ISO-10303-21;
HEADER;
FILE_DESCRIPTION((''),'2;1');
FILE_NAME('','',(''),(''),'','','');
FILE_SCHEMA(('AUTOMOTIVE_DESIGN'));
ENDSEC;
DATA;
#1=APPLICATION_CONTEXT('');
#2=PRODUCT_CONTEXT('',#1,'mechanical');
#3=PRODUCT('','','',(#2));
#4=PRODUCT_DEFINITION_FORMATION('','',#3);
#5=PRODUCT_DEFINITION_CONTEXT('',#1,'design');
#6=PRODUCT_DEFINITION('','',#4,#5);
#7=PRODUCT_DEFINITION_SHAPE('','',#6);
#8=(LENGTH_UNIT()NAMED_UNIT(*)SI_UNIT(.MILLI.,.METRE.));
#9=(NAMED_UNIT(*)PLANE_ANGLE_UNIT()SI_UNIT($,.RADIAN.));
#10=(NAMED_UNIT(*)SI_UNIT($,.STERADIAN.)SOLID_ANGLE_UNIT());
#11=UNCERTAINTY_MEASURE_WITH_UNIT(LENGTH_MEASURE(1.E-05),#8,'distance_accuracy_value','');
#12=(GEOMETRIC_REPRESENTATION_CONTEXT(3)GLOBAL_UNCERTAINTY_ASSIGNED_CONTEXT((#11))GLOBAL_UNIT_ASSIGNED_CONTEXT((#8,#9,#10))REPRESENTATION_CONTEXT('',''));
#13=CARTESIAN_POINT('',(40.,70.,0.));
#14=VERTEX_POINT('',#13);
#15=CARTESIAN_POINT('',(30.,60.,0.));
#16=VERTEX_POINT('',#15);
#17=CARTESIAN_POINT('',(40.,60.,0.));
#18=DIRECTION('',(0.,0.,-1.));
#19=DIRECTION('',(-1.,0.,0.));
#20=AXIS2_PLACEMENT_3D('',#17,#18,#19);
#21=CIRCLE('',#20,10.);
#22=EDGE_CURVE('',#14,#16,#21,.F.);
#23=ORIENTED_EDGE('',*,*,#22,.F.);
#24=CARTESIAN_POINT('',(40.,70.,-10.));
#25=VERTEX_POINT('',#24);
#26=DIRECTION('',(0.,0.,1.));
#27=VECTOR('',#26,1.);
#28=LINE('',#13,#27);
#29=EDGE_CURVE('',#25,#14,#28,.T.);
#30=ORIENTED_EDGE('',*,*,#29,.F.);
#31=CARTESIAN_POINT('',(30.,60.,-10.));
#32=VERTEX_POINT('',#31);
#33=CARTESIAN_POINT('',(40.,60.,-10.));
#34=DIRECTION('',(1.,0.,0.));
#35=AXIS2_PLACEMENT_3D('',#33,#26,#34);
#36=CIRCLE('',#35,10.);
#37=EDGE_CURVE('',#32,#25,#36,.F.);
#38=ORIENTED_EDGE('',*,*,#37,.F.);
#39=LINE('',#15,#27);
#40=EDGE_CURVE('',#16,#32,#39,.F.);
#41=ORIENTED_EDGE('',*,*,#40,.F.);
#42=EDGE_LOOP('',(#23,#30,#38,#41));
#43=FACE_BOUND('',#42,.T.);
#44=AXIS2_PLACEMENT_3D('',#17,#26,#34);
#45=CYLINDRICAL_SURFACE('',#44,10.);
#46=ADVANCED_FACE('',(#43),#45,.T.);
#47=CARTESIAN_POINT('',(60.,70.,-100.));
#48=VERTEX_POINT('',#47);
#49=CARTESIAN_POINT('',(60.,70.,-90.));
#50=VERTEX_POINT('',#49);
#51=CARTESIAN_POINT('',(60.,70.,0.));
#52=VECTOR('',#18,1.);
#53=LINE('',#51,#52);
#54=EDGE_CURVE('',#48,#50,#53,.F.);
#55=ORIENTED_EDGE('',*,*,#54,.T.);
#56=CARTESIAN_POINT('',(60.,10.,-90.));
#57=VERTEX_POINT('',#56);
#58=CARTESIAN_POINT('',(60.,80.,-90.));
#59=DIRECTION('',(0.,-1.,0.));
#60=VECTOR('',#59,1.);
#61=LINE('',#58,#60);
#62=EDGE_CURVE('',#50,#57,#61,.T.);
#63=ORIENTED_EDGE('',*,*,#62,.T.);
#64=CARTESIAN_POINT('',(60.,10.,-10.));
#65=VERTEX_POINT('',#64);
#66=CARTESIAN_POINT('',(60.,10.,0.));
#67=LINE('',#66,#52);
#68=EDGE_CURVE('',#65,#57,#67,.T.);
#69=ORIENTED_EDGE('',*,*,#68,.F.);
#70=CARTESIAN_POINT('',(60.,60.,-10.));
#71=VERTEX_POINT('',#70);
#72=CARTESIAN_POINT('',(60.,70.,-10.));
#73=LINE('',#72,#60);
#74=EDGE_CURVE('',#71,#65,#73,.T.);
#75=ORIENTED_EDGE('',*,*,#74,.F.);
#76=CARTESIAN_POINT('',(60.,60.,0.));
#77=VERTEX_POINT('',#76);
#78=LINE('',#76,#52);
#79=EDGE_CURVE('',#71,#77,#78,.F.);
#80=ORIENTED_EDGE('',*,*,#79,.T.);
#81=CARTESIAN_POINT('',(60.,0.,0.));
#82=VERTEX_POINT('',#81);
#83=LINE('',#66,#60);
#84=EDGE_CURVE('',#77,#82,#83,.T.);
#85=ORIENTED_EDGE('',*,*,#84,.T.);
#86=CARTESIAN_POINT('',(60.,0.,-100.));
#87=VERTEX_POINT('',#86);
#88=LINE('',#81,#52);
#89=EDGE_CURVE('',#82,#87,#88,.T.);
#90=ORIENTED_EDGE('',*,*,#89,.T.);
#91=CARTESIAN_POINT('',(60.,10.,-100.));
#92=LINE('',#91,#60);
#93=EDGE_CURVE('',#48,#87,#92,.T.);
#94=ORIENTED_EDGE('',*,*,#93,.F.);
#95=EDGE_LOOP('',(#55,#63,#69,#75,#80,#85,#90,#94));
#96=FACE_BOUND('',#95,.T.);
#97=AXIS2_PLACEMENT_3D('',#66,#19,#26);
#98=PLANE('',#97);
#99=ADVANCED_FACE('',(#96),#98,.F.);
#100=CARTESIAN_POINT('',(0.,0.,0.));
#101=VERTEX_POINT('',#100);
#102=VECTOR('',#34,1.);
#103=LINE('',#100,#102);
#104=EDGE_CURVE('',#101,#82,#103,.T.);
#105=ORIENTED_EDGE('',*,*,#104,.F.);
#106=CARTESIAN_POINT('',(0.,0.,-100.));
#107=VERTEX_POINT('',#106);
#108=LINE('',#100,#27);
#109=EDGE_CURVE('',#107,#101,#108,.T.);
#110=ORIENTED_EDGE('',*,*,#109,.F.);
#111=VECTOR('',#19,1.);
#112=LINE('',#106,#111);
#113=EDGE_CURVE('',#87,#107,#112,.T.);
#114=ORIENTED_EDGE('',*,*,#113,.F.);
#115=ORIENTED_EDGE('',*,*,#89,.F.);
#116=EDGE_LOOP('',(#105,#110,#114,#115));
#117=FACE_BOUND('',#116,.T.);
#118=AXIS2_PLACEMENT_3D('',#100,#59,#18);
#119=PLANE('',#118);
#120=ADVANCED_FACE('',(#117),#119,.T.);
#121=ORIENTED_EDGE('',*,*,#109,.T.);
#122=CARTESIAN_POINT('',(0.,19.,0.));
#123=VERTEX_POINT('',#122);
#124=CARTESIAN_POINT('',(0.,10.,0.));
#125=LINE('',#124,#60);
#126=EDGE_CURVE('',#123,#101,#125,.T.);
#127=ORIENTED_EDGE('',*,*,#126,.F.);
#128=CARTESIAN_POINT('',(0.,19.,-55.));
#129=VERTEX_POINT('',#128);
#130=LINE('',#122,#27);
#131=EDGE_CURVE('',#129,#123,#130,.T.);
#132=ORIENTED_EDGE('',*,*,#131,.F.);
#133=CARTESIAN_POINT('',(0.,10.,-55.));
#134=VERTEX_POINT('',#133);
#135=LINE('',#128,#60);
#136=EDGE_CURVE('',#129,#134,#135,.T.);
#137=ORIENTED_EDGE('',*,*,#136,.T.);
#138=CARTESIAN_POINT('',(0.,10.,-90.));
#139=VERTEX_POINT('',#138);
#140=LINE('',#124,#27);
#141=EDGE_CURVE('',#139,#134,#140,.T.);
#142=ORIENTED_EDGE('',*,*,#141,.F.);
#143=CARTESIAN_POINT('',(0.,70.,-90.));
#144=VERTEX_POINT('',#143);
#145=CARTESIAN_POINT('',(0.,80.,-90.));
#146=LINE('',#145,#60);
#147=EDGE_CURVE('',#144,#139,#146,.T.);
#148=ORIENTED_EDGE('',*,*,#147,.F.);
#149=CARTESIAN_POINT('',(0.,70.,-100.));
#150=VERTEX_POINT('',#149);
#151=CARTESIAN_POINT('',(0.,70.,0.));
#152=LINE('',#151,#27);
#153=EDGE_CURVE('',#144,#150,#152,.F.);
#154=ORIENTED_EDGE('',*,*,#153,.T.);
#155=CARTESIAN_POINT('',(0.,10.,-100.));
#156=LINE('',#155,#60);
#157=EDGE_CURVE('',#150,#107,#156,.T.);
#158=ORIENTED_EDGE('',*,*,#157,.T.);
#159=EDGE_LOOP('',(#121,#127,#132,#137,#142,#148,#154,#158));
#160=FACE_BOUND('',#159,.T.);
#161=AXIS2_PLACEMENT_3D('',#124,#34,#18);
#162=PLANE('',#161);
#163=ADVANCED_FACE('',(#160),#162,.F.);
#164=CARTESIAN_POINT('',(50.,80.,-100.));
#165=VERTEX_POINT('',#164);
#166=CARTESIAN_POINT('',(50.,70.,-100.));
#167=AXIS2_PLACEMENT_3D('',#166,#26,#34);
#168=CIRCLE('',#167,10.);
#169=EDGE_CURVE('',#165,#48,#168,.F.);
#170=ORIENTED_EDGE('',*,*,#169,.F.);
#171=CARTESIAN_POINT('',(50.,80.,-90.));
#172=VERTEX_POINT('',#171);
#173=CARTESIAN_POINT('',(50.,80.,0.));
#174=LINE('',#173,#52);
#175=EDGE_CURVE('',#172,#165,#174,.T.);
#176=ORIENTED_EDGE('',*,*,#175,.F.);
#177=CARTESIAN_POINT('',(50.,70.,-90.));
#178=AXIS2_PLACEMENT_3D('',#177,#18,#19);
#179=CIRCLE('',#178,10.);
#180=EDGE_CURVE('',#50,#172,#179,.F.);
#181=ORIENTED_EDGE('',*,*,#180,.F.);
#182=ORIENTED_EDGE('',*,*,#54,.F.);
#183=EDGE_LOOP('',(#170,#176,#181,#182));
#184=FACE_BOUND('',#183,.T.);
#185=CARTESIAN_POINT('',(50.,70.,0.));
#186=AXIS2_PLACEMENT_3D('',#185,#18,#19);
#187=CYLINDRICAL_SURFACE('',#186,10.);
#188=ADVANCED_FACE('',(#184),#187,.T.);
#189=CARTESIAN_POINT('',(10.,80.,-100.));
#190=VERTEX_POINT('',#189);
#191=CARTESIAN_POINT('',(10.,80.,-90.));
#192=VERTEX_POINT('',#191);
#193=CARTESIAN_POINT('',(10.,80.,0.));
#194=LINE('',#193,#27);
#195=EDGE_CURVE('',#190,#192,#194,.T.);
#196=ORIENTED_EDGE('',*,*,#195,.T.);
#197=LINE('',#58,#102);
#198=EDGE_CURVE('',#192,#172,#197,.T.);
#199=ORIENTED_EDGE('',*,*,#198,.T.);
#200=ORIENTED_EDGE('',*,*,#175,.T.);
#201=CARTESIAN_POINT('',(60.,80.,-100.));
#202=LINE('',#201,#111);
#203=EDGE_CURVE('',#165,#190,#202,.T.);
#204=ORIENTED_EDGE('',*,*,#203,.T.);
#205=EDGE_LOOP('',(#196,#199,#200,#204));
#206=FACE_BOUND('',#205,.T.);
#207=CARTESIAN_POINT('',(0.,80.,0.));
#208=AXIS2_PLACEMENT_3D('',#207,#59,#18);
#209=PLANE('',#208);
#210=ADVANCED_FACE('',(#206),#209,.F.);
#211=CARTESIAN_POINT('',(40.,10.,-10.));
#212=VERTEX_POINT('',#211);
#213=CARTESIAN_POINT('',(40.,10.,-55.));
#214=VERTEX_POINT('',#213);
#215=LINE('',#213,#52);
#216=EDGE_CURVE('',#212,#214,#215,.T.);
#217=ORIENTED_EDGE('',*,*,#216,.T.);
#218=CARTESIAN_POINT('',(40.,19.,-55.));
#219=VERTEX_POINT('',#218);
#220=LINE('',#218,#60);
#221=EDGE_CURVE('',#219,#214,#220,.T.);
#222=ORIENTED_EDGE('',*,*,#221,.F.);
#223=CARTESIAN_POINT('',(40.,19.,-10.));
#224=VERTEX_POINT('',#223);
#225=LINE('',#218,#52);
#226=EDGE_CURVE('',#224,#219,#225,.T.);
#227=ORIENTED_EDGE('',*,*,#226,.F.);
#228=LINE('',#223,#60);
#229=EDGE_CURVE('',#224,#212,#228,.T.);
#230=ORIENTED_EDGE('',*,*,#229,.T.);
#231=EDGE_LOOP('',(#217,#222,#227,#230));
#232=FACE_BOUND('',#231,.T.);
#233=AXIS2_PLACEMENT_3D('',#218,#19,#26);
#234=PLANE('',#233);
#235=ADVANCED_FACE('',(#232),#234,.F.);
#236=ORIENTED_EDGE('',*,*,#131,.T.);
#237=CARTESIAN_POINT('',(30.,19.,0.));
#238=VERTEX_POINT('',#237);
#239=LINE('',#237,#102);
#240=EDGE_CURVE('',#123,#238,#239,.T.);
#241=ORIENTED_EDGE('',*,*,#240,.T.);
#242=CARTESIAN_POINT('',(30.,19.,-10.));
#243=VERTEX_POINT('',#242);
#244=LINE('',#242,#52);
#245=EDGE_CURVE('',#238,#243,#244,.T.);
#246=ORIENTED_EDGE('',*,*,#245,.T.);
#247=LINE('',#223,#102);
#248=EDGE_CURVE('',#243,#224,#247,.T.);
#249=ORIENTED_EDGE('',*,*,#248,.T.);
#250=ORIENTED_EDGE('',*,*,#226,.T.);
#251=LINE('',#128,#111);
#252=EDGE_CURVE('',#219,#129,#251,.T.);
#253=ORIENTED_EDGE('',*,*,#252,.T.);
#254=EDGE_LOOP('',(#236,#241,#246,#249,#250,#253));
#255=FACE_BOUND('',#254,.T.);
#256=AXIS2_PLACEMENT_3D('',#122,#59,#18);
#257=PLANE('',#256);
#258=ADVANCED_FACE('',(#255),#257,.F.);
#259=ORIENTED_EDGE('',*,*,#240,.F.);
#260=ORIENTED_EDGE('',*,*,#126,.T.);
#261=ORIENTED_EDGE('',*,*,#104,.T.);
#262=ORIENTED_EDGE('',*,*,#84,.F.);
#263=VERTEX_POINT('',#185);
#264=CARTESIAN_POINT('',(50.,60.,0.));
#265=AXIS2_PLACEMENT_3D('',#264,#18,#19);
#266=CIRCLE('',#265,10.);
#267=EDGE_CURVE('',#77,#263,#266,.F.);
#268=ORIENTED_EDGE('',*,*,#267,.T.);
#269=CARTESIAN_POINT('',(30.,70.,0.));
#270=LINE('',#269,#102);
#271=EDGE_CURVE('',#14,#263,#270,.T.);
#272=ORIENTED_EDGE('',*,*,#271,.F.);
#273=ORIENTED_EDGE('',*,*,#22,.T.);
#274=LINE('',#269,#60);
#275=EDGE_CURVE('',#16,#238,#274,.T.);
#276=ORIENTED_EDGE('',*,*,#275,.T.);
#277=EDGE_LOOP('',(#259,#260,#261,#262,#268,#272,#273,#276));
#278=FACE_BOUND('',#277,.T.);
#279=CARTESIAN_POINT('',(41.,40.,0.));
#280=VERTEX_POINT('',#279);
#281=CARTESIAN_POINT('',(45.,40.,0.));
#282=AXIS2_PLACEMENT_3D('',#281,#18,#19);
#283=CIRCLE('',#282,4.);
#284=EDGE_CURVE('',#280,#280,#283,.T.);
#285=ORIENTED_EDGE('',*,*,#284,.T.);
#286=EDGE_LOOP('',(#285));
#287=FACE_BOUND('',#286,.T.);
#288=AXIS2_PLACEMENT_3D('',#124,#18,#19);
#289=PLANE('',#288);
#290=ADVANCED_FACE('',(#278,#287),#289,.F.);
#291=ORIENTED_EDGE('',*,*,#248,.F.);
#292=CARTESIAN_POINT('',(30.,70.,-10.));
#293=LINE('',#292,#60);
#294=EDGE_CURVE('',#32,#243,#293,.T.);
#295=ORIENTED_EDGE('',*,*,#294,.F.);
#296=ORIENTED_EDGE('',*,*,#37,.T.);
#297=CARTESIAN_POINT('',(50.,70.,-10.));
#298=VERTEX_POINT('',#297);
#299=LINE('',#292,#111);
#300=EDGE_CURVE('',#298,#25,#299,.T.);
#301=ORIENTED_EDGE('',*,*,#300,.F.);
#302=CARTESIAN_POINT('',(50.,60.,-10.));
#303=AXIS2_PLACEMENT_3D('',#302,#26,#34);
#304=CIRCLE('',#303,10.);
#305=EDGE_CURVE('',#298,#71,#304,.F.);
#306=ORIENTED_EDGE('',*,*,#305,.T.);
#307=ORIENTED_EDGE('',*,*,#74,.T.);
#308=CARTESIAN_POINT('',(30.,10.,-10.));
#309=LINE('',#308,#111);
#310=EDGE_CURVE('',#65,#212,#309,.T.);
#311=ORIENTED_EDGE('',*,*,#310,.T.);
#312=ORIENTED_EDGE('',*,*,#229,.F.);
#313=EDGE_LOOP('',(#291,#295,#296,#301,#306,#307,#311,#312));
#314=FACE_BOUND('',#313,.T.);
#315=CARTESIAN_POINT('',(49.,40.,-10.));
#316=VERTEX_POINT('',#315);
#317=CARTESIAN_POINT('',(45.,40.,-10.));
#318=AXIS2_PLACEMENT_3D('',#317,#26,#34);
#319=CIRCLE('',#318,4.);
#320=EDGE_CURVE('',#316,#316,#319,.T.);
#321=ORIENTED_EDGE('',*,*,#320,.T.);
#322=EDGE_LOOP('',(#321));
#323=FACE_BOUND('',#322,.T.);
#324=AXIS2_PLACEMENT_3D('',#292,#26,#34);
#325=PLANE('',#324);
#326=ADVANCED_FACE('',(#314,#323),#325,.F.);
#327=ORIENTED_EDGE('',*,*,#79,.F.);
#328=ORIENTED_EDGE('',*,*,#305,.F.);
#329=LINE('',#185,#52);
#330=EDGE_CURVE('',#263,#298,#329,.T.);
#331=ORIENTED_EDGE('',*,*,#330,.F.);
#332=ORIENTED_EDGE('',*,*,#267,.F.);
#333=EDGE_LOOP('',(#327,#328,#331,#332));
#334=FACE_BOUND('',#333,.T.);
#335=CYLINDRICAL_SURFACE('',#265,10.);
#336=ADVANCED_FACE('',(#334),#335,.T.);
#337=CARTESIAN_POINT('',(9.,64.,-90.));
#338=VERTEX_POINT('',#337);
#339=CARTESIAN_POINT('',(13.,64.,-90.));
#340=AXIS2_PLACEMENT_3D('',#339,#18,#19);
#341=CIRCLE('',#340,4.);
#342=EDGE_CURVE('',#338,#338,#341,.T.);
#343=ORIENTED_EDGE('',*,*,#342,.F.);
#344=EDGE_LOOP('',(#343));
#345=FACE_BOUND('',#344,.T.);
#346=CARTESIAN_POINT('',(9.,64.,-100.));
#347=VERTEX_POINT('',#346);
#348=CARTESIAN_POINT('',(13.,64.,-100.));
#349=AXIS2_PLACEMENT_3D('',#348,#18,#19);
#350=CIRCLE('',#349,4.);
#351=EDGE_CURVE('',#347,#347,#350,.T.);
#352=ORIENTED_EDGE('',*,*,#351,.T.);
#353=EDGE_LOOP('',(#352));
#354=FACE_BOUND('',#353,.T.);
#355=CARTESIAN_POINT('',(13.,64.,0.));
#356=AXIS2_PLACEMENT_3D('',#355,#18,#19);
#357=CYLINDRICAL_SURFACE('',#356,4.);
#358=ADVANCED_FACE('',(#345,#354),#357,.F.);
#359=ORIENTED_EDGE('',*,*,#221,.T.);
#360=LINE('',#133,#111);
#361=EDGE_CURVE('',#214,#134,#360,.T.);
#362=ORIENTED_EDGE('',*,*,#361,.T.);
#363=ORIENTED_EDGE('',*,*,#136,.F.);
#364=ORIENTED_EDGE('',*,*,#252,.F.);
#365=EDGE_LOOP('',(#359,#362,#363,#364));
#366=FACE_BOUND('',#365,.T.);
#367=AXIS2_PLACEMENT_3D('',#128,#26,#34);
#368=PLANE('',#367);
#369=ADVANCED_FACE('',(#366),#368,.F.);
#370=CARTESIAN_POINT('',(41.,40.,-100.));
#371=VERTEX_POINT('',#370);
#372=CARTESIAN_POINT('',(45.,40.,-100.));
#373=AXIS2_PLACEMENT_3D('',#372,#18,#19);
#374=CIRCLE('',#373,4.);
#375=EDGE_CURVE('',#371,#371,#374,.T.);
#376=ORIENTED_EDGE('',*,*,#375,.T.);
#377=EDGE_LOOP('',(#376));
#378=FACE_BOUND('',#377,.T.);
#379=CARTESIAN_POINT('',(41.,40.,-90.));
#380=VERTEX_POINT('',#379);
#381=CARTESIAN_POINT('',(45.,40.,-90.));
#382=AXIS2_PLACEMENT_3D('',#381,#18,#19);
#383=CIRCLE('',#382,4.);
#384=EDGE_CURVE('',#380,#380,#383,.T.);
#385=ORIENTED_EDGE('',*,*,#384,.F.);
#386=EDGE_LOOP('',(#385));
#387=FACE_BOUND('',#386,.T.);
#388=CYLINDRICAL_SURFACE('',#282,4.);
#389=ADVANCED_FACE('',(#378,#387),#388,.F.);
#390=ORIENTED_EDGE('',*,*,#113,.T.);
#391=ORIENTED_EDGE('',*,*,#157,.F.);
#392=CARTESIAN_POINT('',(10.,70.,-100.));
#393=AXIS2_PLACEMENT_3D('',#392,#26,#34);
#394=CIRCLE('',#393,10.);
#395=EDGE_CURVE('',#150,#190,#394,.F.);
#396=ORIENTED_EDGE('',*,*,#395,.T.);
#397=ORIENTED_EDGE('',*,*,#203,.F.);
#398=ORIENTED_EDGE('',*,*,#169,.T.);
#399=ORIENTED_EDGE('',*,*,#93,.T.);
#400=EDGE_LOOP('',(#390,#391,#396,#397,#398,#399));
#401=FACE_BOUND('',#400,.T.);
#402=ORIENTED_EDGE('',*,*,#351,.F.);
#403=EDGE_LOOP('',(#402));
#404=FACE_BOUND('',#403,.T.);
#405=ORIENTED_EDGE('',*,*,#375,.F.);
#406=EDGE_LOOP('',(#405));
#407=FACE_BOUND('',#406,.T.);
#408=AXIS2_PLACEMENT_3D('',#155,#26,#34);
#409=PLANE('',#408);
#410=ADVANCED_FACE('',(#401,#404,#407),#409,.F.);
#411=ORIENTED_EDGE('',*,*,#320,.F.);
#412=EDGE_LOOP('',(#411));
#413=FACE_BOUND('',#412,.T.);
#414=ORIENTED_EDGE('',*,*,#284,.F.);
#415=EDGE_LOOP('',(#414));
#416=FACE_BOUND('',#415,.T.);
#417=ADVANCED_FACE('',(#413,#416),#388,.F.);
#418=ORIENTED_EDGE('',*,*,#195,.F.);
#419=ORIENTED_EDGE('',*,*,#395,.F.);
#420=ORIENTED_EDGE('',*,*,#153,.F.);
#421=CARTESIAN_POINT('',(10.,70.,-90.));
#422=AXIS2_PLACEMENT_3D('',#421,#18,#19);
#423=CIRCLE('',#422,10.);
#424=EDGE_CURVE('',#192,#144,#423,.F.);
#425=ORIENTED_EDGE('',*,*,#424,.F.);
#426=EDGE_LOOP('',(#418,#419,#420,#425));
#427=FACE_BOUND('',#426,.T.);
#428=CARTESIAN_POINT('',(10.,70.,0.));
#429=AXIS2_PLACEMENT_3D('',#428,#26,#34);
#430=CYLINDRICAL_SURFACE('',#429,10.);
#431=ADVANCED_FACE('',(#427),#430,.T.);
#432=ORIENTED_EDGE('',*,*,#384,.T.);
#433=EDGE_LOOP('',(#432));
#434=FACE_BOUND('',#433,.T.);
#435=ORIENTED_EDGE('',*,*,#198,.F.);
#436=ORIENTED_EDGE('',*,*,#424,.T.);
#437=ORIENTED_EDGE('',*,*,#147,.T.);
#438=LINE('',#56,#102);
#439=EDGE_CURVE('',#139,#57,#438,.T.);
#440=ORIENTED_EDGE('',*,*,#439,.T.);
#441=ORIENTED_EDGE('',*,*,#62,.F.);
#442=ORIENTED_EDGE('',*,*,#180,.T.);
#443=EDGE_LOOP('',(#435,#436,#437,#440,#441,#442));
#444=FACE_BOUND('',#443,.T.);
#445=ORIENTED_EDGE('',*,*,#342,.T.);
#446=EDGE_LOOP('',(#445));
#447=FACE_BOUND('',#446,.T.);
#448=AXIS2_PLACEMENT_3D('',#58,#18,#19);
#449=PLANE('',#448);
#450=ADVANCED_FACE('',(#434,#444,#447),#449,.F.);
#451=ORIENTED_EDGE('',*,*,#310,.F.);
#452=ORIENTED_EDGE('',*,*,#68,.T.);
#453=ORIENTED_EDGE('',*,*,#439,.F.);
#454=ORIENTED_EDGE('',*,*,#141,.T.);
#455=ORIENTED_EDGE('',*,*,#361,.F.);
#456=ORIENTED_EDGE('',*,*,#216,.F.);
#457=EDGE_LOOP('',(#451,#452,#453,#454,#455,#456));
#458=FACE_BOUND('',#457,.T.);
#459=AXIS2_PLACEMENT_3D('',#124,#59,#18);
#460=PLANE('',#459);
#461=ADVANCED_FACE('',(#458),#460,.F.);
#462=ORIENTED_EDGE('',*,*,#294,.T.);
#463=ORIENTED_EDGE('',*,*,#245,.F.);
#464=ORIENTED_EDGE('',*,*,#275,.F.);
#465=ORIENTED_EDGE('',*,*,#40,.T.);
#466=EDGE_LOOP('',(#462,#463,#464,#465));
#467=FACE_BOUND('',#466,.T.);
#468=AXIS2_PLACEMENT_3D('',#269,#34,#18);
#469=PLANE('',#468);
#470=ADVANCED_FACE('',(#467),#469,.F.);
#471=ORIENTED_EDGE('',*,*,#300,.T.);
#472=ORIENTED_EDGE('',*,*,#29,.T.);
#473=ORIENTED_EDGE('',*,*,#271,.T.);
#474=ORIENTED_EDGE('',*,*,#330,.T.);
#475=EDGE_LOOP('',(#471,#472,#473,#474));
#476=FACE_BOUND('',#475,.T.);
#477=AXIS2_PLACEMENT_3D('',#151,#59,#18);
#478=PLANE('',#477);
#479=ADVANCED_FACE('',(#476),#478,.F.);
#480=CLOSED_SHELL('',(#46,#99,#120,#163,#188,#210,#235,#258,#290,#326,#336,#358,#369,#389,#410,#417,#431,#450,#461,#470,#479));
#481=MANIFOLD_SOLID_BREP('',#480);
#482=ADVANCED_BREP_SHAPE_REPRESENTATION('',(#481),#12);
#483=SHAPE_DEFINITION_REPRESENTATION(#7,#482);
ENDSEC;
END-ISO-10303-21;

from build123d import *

# Parameters (mm, degrees)
ESQUISSE1_W             = 60
ESQUISSE1_H             = 100
BOSS_EXTRU_1_DEPTH      = 10
ESQUISSE2_W             = 30
ESQUISSE2_H             = 10
BOSS_EXTRU_2_DEPTH      = 60
ESQUISSE3_W             = 60
ESQUISSE3_H             = 10
BOSS_EXTRU_3_DEPTH      = 70
BOSS_EXTRU_4_DEPTH      = 9
ESQUISSE6_R             = 4
ENL_V_MAT_EXTRU_2_DEPTH = 142.421356237
CONG_1_R                = 10


with BuildPart() as part:
    # Esquisse1 → Boss.-Extru.1 (new body)
    with BuildSketch(Plane(origin=(0, 0, 0), x_dir=(1, 0, 0), z_dir=(0, 1, 0))):
        with Locations((30, 50)):
            Rectangle(ESQUISSE1_W, ESQUISSE1_H)
    extrude(amount=BOSS_EXTRU_1_DEPTH)

    # Esquisse2 → Boss.-Extru.2 (add)
    with BuildSketch(Plane(origin=(0, 10, 0), x_dir=(1, 0, 0), z_dir=(0, 1, 0))):
        with Locations((45, 5)):
            Rectangle(ESQUISSE2_W, ESQUISSE2_H)
    extrude(amount=BOSS_EXTRU_2_DEPTH)

    # Esquisse3 → Boss.-Extru.3 (add)
    with BuildSketch(Plane(origin=(0, 10, 0), x_dir=(1, 0, 0), z_dir=(0, 1, 0))):
        with Locations((30, 95)):
            Rectangle(ESQUISSE3_W, ESQUISSE3_H)
    extrude(amount=BOSS_EXTRU_3_DEPTH)

    # Esquisse8 → Boss.-Extru.4 (add)
    with BuildSketch(Plane(origin=(0, 10, 0), x_dir=(1, 0, 0), z_dir=(0, 1, 0))):
        Polygon((0, 0), (0, 55), (40, 55), (40, 10), (30, 10), (30, 0), align=None)
    extrude(amount=BOSS_EXTRU_4_DEPTH)

    # Esquisse6 → Enlèv. mat.-Extru.2 (cut, through all)
    with BuildSketch(Plane(origin=(0, 0, -100), x_dir=(-1, 0, 0), z_dir=(0, 0, -1))):
        with Locations((-45, 40)):
            Circle(ESQUISSE6_R)
        with Locations((-13, 64)):
            Circle(ESQUISSE6_R)
    extrude(amount=-ENL_V_MAT_EXTRU_2_DEPTH, mode=Mode.SUBTRACT)

    # Congé1
    cong_1_edges = [part.edges().sort_by_distance(p)[0] for p in [
        (0, 80, -95),
        (60, 80, -95),
        (30, 70, -5),
        (60, 70, -5),
    ]]
    fillet(cong_1_edges, radius=CONG_1_R)


solid = part.part
